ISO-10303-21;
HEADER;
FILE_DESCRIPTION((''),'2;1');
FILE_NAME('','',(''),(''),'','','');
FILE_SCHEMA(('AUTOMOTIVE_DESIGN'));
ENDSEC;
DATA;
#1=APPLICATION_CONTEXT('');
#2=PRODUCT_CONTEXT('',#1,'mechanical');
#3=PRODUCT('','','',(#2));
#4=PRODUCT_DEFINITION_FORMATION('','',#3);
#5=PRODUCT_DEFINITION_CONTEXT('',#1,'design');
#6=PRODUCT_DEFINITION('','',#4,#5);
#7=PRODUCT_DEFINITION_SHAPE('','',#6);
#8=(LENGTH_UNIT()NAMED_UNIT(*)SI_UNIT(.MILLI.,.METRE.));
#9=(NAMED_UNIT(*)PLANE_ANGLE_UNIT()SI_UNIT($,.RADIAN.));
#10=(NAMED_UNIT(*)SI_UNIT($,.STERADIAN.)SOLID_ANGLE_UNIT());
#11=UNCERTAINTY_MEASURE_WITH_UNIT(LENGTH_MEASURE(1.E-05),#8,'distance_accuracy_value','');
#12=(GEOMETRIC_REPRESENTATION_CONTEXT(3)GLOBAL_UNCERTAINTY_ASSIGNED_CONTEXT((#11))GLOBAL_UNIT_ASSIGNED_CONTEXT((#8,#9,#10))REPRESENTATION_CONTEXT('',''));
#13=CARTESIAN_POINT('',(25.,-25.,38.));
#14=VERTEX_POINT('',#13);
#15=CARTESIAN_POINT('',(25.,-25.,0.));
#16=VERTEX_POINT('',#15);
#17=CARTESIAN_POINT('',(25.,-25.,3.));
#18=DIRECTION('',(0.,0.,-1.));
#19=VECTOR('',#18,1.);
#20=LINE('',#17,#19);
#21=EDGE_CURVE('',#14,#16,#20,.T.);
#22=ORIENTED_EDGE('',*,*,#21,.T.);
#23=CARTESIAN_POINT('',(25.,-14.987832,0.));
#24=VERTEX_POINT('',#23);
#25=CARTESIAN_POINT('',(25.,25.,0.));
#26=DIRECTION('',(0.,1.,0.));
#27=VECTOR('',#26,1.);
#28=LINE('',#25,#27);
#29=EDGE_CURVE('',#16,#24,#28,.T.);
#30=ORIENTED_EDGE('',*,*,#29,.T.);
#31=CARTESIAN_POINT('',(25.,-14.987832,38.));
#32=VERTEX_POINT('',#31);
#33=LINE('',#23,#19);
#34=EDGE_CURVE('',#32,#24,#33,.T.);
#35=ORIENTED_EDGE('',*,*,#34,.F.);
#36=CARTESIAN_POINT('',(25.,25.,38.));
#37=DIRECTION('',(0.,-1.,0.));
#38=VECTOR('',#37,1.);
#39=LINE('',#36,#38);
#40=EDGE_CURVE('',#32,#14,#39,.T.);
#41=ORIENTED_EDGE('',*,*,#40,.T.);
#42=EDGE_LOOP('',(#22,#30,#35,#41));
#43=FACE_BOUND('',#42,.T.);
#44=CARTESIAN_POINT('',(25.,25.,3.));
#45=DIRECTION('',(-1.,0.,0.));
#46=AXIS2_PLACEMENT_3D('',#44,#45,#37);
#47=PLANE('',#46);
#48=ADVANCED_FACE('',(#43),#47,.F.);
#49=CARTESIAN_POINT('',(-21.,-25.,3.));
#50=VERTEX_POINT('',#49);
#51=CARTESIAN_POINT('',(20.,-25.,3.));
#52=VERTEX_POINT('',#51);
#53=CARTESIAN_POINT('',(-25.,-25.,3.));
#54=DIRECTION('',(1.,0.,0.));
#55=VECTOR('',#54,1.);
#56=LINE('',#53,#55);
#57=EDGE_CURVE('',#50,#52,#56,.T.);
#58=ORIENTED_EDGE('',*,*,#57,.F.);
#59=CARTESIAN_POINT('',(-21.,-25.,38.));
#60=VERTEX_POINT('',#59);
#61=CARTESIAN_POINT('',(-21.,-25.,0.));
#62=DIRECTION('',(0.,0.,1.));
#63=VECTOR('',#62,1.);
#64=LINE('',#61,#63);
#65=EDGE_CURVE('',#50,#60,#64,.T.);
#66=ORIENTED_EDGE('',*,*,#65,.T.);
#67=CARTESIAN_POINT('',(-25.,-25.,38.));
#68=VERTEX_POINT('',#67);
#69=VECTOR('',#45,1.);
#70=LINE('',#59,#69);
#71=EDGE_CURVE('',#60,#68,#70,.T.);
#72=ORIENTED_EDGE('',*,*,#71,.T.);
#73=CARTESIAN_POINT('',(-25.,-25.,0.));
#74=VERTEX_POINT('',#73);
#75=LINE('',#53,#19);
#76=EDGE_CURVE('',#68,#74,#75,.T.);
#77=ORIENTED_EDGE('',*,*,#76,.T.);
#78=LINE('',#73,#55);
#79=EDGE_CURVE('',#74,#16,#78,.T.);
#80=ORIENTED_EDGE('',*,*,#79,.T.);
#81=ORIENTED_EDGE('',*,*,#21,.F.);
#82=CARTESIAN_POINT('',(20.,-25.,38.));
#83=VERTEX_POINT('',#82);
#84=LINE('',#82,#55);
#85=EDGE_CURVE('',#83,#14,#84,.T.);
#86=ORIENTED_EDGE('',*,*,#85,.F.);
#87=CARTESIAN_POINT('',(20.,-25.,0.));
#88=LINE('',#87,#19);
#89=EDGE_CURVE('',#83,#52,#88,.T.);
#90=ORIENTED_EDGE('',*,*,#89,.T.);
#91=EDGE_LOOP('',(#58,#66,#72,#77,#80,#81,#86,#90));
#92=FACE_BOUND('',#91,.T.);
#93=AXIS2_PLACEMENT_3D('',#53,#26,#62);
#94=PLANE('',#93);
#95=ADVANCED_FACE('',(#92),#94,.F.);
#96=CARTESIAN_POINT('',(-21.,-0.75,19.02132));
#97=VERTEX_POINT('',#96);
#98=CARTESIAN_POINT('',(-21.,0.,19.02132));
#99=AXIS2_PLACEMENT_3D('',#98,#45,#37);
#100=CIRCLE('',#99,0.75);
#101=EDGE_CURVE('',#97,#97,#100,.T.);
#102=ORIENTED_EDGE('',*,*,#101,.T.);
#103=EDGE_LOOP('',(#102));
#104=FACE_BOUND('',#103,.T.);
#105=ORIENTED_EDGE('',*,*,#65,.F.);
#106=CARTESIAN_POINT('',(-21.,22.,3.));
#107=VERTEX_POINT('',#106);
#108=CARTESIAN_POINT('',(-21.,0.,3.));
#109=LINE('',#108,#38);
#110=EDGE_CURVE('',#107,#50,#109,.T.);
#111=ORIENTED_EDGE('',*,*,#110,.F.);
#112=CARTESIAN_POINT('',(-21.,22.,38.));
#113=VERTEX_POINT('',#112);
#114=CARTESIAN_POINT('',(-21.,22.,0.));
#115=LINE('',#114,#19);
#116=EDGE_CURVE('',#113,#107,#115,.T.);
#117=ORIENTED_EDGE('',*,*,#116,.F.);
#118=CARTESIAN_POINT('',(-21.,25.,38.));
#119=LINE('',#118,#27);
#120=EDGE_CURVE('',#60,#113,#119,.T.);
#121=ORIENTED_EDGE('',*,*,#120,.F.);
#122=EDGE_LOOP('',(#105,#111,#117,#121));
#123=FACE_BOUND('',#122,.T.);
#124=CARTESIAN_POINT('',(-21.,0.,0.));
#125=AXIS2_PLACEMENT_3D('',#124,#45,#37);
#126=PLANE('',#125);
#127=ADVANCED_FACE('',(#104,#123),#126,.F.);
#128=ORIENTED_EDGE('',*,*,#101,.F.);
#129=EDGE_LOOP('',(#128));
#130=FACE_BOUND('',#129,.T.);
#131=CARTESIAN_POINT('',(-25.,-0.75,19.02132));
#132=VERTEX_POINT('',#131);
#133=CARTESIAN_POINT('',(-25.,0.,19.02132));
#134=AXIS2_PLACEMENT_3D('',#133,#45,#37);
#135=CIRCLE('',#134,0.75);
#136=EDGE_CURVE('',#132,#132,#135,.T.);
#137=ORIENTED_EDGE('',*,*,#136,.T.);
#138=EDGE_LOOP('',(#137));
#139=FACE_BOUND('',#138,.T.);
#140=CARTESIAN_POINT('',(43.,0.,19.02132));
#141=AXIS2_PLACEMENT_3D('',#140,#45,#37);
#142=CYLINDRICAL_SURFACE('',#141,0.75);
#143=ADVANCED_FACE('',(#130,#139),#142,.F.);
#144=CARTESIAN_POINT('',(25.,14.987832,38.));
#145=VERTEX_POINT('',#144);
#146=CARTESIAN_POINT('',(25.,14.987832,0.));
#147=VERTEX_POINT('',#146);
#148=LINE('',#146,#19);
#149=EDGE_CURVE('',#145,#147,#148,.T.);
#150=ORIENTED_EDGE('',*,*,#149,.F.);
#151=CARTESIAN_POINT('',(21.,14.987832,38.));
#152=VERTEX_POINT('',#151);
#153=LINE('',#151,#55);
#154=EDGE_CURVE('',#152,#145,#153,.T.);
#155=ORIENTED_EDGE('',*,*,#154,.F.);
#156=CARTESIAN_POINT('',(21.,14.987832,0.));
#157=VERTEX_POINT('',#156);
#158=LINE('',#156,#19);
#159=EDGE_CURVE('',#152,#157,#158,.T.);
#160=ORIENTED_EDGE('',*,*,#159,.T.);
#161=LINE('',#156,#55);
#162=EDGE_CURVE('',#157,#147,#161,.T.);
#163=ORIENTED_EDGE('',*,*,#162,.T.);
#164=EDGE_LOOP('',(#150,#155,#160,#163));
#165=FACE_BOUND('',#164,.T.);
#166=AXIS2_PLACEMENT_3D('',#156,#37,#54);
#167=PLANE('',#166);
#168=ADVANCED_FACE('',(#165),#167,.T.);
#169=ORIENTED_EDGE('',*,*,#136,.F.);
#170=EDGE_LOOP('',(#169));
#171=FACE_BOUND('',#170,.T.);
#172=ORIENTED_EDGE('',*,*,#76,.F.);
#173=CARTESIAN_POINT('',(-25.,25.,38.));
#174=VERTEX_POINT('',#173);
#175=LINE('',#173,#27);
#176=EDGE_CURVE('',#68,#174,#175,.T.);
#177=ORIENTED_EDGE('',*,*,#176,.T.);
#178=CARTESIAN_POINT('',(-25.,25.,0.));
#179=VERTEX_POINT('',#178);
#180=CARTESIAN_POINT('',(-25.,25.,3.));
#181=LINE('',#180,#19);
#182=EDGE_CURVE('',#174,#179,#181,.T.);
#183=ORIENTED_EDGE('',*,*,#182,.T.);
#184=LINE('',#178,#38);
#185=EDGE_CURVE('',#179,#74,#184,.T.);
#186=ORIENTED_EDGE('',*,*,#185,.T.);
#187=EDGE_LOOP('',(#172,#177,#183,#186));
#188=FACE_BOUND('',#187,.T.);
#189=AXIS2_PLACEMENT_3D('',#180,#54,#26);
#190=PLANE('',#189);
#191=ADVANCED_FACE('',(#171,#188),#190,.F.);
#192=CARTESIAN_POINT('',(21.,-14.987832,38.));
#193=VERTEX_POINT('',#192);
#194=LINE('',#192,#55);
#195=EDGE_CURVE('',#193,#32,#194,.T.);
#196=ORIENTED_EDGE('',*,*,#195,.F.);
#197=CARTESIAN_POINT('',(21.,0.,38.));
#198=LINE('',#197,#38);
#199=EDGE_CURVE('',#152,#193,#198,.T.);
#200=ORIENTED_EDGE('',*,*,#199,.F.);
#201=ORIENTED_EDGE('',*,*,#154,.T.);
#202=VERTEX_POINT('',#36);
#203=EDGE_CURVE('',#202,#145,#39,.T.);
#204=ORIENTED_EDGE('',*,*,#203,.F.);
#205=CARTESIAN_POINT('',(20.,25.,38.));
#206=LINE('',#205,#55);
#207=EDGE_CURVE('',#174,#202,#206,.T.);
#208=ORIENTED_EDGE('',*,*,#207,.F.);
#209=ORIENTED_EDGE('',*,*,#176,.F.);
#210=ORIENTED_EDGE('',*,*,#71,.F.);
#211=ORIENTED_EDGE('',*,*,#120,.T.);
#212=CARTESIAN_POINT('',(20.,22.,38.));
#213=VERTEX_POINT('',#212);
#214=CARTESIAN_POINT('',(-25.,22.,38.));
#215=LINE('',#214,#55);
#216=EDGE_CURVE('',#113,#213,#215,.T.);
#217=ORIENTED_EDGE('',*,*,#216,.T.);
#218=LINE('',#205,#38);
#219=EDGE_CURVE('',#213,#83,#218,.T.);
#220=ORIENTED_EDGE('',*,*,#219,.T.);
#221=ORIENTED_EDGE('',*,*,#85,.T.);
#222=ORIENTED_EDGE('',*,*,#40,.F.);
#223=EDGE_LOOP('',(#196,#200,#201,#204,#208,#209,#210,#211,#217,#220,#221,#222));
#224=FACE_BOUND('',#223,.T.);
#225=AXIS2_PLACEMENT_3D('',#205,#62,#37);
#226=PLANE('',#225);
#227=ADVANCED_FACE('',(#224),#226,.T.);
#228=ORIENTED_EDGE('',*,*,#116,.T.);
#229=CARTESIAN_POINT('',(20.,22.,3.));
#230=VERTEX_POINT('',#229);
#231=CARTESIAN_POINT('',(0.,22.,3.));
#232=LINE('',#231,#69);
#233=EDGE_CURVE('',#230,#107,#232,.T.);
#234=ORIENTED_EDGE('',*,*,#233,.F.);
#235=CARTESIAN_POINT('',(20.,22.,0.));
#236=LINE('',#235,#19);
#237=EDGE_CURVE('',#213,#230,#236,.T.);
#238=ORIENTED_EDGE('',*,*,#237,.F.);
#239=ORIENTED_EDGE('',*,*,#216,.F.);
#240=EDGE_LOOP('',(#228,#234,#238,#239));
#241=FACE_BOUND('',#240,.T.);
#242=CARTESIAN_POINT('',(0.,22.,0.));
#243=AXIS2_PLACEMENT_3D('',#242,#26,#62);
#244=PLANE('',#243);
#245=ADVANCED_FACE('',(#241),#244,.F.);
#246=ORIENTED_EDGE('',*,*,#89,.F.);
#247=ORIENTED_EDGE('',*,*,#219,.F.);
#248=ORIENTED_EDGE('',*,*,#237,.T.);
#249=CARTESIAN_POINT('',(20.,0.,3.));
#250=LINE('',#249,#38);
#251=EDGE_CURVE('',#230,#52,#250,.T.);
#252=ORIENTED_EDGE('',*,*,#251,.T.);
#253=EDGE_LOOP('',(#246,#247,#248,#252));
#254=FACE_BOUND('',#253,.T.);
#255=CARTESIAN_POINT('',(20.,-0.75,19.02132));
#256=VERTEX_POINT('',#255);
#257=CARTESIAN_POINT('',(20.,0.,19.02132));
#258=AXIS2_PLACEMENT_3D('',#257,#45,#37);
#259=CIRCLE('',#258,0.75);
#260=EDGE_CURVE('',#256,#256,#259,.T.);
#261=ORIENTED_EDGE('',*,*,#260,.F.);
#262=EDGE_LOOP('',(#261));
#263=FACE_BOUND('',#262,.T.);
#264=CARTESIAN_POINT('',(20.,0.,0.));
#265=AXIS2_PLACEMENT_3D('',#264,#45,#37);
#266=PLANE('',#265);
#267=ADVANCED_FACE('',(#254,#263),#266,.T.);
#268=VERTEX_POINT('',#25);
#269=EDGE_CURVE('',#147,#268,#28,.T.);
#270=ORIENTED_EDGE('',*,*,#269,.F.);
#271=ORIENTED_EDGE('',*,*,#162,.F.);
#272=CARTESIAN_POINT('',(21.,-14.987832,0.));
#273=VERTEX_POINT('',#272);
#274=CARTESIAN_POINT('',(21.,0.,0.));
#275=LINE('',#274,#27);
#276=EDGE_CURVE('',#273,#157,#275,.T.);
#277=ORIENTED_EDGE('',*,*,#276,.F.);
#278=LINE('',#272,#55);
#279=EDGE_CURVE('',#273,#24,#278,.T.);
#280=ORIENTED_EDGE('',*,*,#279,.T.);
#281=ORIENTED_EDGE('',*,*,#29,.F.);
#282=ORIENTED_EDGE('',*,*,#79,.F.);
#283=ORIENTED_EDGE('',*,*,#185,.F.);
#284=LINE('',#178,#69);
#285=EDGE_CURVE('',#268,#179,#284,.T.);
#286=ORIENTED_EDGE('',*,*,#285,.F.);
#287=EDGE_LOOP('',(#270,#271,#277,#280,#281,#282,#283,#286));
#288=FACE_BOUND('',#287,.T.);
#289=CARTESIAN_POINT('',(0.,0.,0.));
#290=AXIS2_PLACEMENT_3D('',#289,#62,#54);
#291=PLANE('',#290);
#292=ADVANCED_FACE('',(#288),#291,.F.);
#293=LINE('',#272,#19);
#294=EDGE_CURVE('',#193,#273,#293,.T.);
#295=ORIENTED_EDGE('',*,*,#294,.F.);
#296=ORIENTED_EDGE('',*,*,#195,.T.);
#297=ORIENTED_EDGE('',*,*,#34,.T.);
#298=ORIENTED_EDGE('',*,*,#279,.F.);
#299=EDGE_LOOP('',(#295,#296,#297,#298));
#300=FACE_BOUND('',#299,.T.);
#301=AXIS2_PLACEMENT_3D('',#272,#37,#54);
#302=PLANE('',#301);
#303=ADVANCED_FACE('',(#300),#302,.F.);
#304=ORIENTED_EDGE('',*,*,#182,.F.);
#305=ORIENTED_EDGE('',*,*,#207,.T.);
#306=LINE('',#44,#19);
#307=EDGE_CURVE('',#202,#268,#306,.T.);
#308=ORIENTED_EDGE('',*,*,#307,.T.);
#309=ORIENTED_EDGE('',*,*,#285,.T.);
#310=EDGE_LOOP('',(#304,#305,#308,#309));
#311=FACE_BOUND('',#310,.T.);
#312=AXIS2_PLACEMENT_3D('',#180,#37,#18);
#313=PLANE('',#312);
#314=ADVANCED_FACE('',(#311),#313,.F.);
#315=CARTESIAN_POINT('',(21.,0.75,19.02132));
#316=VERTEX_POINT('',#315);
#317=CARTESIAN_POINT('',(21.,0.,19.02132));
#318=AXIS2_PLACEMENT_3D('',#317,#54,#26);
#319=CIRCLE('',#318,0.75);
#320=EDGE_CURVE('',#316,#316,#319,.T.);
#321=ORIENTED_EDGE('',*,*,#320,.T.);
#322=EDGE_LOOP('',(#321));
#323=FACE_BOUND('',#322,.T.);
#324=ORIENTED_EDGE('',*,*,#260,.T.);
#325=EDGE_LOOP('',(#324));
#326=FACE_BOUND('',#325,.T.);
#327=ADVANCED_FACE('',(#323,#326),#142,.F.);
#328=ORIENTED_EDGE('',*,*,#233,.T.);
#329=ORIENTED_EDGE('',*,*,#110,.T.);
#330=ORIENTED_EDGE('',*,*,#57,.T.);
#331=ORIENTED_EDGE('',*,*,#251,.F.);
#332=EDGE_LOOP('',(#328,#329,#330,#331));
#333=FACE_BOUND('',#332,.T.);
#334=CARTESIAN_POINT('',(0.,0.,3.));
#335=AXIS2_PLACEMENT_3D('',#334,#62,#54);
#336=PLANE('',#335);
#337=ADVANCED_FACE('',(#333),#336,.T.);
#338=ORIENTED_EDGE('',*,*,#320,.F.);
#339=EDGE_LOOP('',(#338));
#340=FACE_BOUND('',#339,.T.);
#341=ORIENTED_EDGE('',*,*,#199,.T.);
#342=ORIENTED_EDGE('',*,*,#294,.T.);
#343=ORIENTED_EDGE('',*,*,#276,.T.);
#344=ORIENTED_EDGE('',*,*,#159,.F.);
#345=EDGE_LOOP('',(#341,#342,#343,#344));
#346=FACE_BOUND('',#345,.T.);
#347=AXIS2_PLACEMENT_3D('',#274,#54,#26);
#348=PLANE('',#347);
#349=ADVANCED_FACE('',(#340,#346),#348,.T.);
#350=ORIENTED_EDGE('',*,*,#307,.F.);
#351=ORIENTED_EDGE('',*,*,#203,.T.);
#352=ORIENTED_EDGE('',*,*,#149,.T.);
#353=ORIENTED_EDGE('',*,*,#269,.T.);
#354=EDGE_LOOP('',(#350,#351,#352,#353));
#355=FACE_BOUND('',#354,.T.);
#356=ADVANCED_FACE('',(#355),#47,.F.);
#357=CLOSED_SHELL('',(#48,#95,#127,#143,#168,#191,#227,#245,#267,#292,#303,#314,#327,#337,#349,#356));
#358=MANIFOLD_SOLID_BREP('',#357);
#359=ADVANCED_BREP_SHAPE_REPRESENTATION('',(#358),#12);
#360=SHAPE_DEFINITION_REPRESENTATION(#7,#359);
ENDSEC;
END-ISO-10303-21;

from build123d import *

# Parameters (mm, degrees)
SKETCH8_W            = 50
SKETCH8_H            = 50
BOSS_EXTRUDE7_DEPTH  = 3
SKETCH9_W            = 38
SKETCH9_H            = 50
BOSS_EXTRUDE8_DEPTH  = 5
SKETCH10_W           = 38
SKETCH10_H           = 50
BOSS_EXTRUDE9_DEPTH  = 4
SKETCH11_W           = 50
SKETCH11_H           = 38
BOSS_EXTRUDE10_DEPTH = 3
SKETCH13_W           = 38
SKETCH13_H           = 29.975664986
CUT_EXTRUDE1_DEPTH   = 4
SKETCH14_R           = 0.75
CUT_EXTRUDE3_DEPTH   = 68


with BuildPart() as part:
    # Sketch8 → Boss-Extrude7 (new body)
    with BuildSketch(Plane.XY):
        Rectangle(SKETCH8_W, SKETCH8_H)
    extrude(amount=BOSS_EXTRUDE7_DEPTH)

    # Sketch9 → Boss-Extrude8 (add)
    with BuildSketch(Plane(origin=(25, 0, 0), x_dir=(0, 0, -1), z_dir=(1, 0, 0))):
        with Locations((-19, 0)):
            Rectangle(SKETCH9_W, SKETCH9_H)
    extrude(amount=-BOSS_EXTRUDE8_DEPTH)

    # Sketch10 → Boss-Extrude9 (add)
    with BuildSketch(Plane.ZY.offset(25)):
        with Locations((19, 0)):
            Rectangle(SKETCH10_W, SKETCH10_H)
    extrude(amount=-BOSS_EXTRUDE9_DEPTH)

    # Sketch11 → Boss-Extrude10 (add)
    with BuildSketch(Plane(origin=(0, 25, 0), x_dir=(1, 0, 0), z_dir=(0, 1, 0))):
        with Locations((0, -19)):
            Rectangle(SKETCH11_W, SKETCH11_H)
    extrude(amount=-BOSS_EXTRUDE10_DEPTH)

    # Sketch13 → Cut-Extrude1 (cut)
    with BuildSketch(Plane(origin=(25, 0, 0), x_dir=(0, 0, -1), z_dir=(1, 0, 0))):
        with Locations((-19, 0)):
            Rectangle(SKETCH13_W, SKETCH13_H)
    extrude(amount=-CUT_EXTRUDE1_DEPTH, mode=Mode.SUBTRACT)

    # Sketch14 → Cut-Extrude3 (cut)
    with BuildSketch(Plane.ZY.offset(25)):
        with Locations(Location((19.021319819, 0, 0), (0, 0, 270))):
            Circle(SKETCH14_R)
    extrude(amount=-CUT_EXTRUDE3_DEPTH, mode=Mode.SUBTRACT)


solid = part.part
